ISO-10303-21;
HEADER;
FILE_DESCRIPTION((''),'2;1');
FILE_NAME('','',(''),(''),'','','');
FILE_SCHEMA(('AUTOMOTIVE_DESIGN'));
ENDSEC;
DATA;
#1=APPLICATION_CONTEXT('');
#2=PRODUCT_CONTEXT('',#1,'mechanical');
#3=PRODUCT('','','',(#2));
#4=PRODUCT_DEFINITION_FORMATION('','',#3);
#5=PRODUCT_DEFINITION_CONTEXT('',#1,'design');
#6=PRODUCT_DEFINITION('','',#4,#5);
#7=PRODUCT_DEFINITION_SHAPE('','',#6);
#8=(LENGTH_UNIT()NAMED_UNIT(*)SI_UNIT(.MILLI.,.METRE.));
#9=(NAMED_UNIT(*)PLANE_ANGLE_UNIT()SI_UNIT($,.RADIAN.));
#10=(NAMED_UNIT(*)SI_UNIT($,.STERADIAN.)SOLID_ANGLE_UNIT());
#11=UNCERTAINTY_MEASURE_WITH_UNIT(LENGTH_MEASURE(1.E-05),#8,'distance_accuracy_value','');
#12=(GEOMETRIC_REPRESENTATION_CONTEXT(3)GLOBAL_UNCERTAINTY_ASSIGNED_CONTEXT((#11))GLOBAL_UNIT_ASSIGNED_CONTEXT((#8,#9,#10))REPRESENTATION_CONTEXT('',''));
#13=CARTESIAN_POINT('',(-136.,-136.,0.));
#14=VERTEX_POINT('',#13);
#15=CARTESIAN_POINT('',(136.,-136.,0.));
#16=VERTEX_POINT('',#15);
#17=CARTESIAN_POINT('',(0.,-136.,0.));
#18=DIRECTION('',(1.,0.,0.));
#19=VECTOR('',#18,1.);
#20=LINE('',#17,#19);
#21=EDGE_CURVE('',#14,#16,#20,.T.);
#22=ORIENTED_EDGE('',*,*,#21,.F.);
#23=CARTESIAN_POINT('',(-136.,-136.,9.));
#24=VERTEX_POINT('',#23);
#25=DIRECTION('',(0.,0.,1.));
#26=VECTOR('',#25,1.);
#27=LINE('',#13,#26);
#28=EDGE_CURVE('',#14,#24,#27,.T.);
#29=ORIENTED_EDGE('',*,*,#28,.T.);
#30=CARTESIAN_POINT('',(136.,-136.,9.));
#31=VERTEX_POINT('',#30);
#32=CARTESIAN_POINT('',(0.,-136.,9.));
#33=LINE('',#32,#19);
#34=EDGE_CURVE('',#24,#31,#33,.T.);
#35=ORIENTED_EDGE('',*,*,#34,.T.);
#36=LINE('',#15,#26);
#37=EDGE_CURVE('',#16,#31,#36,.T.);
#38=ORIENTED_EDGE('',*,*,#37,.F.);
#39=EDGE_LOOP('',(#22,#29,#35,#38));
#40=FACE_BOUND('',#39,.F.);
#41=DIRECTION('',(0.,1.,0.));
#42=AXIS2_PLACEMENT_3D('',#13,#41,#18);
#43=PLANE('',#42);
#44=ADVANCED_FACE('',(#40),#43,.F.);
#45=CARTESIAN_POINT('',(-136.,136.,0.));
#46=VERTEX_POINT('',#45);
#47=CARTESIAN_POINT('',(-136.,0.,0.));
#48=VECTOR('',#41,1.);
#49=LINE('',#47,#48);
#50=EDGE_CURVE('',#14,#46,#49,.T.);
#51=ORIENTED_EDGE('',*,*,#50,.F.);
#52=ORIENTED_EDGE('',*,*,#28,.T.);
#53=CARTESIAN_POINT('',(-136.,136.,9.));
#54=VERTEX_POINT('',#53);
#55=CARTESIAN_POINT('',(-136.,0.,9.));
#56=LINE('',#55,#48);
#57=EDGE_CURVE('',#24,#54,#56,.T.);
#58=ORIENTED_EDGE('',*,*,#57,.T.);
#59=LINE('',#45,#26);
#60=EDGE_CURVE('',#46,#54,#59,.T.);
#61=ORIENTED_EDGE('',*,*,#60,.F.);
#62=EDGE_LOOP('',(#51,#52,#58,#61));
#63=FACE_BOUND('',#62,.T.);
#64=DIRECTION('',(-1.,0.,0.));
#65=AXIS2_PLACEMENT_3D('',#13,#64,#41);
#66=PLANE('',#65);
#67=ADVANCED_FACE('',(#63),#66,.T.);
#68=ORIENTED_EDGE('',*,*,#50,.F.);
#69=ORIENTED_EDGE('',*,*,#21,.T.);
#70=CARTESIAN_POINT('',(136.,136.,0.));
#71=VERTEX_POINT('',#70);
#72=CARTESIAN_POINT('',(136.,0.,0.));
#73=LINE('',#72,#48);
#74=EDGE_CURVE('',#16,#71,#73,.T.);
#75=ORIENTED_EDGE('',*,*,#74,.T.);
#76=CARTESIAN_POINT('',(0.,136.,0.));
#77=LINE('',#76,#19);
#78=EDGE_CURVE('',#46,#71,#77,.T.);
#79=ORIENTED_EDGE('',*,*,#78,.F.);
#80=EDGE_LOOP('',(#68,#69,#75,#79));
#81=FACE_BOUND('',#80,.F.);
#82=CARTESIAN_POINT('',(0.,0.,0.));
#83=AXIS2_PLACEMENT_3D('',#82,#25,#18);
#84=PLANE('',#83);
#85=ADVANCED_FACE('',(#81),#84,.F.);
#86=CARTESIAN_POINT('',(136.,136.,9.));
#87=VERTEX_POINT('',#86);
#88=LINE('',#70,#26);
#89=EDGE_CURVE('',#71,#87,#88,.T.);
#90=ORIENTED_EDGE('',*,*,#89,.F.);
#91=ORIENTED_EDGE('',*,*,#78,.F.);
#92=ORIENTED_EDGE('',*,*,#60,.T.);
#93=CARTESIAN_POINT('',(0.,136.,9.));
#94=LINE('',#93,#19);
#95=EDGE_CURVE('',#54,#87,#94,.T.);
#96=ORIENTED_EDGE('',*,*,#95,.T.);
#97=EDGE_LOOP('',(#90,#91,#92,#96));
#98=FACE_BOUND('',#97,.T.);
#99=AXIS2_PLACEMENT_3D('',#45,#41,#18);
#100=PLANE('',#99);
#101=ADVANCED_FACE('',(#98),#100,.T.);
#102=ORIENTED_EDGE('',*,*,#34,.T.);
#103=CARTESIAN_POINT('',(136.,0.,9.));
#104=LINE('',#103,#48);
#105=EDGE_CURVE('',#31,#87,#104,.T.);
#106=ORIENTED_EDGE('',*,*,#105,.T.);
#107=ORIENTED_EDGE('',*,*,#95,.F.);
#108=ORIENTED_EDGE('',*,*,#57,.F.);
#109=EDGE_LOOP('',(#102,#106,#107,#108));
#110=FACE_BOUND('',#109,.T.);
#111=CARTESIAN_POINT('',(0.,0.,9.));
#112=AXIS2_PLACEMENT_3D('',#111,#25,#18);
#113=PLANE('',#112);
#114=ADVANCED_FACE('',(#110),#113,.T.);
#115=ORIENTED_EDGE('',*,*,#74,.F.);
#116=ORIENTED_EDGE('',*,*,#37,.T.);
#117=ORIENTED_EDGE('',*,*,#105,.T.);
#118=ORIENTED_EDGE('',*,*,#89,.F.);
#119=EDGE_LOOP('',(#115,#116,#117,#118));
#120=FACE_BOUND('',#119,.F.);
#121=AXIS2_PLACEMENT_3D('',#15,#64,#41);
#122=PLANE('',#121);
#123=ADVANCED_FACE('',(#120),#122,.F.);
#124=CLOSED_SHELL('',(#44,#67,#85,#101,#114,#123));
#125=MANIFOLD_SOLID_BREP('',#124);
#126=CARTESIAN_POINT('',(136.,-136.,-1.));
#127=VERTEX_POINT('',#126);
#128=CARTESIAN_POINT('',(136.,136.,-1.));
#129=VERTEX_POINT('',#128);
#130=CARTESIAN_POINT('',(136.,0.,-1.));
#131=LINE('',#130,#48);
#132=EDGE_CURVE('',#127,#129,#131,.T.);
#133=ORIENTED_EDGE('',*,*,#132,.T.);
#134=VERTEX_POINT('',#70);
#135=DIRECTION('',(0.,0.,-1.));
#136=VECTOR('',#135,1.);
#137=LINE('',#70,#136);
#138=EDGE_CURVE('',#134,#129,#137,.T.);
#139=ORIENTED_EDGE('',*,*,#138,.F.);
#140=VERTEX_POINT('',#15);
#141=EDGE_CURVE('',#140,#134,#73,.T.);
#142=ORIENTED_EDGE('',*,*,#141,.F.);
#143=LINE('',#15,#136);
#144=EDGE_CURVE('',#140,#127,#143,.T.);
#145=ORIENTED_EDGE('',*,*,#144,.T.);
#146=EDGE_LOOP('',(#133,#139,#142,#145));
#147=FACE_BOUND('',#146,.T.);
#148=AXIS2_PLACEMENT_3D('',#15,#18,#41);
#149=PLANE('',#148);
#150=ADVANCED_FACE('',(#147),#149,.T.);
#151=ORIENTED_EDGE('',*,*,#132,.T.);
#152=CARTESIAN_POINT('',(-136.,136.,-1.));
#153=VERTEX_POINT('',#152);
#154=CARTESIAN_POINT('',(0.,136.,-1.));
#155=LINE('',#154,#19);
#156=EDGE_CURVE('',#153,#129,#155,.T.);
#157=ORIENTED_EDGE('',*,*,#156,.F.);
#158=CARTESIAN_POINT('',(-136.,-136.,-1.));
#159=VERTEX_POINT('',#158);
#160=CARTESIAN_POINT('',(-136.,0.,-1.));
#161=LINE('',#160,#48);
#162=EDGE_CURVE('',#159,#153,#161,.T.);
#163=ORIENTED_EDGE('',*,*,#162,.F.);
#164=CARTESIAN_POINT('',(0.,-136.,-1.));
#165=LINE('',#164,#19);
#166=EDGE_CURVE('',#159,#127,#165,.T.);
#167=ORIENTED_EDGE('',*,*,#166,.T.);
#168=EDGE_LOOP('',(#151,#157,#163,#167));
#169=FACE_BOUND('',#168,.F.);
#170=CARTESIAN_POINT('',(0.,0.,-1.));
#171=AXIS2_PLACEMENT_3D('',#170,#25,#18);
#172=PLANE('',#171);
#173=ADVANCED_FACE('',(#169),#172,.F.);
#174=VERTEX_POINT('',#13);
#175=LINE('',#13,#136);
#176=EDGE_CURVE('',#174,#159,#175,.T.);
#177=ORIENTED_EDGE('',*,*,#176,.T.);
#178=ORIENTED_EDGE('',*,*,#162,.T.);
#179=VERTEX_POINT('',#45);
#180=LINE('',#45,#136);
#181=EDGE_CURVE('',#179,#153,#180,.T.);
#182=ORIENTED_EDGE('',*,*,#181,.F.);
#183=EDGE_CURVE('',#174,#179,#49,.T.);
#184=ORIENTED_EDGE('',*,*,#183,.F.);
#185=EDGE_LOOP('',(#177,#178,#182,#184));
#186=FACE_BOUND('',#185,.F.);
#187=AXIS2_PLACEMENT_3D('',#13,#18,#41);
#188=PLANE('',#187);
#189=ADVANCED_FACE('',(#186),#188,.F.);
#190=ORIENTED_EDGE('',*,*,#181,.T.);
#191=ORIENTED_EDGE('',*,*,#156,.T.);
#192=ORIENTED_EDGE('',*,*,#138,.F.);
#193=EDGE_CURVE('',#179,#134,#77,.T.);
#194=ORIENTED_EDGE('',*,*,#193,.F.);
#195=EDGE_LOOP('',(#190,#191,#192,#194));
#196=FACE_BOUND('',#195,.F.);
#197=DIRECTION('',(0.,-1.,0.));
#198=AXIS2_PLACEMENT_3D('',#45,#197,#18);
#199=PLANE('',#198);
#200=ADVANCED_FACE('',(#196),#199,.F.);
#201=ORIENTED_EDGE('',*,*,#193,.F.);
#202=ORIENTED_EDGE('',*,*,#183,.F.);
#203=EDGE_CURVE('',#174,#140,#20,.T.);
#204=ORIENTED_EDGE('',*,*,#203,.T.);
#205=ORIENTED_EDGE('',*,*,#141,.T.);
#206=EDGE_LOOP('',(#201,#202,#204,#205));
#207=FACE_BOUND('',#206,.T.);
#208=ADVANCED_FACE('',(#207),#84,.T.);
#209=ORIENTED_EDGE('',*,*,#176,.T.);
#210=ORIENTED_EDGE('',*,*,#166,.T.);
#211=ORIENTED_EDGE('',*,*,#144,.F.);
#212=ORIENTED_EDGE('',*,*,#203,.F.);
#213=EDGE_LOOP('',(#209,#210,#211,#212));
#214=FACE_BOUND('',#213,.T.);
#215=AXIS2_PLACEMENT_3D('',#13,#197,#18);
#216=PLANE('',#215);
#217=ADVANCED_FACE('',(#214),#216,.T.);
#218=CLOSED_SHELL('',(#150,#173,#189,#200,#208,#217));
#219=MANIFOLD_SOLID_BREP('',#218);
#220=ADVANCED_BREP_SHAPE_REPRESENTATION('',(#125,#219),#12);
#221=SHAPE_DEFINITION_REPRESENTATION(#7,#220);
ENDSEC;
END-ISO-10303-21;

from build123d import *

# Parameters (mm, degrees)
F0_W     = 272
F0_H     = 272
F1_DEPTH = 10
F2_DEPTH = 1
F3_DEPTH = 1


with BuildPart() as f1:
    # F0 (on Top) → F1 (new body)
    with BuildSketch(Plane.XY):
        Rectangle(F0_W, F0_H)
    extrude(amount=F1_DEPTH)


with BuildPart() as f2:
    # F2 (new): a face of the model
    f2_faces = [f1.part.faces().sort_by_distance(p)[0] for p in [
        (0, 0, 0),
    ]]
    extrude(f2_faces, amount=F2_DEPTH)


with BuildPart() as f1_1:
    add(f1.part)

    # F3 (cut): a face of the model
    f3_faces = [f1_1.faces().sort_by_distance(p)[0] for p in [
        (0, 0, 10),
    ]]
    extrude(f3_faces, amount=-F3_DEPTH, mode=Mode.SUBTRACT)


solid = Compound([f2.part, f1_1.part])
